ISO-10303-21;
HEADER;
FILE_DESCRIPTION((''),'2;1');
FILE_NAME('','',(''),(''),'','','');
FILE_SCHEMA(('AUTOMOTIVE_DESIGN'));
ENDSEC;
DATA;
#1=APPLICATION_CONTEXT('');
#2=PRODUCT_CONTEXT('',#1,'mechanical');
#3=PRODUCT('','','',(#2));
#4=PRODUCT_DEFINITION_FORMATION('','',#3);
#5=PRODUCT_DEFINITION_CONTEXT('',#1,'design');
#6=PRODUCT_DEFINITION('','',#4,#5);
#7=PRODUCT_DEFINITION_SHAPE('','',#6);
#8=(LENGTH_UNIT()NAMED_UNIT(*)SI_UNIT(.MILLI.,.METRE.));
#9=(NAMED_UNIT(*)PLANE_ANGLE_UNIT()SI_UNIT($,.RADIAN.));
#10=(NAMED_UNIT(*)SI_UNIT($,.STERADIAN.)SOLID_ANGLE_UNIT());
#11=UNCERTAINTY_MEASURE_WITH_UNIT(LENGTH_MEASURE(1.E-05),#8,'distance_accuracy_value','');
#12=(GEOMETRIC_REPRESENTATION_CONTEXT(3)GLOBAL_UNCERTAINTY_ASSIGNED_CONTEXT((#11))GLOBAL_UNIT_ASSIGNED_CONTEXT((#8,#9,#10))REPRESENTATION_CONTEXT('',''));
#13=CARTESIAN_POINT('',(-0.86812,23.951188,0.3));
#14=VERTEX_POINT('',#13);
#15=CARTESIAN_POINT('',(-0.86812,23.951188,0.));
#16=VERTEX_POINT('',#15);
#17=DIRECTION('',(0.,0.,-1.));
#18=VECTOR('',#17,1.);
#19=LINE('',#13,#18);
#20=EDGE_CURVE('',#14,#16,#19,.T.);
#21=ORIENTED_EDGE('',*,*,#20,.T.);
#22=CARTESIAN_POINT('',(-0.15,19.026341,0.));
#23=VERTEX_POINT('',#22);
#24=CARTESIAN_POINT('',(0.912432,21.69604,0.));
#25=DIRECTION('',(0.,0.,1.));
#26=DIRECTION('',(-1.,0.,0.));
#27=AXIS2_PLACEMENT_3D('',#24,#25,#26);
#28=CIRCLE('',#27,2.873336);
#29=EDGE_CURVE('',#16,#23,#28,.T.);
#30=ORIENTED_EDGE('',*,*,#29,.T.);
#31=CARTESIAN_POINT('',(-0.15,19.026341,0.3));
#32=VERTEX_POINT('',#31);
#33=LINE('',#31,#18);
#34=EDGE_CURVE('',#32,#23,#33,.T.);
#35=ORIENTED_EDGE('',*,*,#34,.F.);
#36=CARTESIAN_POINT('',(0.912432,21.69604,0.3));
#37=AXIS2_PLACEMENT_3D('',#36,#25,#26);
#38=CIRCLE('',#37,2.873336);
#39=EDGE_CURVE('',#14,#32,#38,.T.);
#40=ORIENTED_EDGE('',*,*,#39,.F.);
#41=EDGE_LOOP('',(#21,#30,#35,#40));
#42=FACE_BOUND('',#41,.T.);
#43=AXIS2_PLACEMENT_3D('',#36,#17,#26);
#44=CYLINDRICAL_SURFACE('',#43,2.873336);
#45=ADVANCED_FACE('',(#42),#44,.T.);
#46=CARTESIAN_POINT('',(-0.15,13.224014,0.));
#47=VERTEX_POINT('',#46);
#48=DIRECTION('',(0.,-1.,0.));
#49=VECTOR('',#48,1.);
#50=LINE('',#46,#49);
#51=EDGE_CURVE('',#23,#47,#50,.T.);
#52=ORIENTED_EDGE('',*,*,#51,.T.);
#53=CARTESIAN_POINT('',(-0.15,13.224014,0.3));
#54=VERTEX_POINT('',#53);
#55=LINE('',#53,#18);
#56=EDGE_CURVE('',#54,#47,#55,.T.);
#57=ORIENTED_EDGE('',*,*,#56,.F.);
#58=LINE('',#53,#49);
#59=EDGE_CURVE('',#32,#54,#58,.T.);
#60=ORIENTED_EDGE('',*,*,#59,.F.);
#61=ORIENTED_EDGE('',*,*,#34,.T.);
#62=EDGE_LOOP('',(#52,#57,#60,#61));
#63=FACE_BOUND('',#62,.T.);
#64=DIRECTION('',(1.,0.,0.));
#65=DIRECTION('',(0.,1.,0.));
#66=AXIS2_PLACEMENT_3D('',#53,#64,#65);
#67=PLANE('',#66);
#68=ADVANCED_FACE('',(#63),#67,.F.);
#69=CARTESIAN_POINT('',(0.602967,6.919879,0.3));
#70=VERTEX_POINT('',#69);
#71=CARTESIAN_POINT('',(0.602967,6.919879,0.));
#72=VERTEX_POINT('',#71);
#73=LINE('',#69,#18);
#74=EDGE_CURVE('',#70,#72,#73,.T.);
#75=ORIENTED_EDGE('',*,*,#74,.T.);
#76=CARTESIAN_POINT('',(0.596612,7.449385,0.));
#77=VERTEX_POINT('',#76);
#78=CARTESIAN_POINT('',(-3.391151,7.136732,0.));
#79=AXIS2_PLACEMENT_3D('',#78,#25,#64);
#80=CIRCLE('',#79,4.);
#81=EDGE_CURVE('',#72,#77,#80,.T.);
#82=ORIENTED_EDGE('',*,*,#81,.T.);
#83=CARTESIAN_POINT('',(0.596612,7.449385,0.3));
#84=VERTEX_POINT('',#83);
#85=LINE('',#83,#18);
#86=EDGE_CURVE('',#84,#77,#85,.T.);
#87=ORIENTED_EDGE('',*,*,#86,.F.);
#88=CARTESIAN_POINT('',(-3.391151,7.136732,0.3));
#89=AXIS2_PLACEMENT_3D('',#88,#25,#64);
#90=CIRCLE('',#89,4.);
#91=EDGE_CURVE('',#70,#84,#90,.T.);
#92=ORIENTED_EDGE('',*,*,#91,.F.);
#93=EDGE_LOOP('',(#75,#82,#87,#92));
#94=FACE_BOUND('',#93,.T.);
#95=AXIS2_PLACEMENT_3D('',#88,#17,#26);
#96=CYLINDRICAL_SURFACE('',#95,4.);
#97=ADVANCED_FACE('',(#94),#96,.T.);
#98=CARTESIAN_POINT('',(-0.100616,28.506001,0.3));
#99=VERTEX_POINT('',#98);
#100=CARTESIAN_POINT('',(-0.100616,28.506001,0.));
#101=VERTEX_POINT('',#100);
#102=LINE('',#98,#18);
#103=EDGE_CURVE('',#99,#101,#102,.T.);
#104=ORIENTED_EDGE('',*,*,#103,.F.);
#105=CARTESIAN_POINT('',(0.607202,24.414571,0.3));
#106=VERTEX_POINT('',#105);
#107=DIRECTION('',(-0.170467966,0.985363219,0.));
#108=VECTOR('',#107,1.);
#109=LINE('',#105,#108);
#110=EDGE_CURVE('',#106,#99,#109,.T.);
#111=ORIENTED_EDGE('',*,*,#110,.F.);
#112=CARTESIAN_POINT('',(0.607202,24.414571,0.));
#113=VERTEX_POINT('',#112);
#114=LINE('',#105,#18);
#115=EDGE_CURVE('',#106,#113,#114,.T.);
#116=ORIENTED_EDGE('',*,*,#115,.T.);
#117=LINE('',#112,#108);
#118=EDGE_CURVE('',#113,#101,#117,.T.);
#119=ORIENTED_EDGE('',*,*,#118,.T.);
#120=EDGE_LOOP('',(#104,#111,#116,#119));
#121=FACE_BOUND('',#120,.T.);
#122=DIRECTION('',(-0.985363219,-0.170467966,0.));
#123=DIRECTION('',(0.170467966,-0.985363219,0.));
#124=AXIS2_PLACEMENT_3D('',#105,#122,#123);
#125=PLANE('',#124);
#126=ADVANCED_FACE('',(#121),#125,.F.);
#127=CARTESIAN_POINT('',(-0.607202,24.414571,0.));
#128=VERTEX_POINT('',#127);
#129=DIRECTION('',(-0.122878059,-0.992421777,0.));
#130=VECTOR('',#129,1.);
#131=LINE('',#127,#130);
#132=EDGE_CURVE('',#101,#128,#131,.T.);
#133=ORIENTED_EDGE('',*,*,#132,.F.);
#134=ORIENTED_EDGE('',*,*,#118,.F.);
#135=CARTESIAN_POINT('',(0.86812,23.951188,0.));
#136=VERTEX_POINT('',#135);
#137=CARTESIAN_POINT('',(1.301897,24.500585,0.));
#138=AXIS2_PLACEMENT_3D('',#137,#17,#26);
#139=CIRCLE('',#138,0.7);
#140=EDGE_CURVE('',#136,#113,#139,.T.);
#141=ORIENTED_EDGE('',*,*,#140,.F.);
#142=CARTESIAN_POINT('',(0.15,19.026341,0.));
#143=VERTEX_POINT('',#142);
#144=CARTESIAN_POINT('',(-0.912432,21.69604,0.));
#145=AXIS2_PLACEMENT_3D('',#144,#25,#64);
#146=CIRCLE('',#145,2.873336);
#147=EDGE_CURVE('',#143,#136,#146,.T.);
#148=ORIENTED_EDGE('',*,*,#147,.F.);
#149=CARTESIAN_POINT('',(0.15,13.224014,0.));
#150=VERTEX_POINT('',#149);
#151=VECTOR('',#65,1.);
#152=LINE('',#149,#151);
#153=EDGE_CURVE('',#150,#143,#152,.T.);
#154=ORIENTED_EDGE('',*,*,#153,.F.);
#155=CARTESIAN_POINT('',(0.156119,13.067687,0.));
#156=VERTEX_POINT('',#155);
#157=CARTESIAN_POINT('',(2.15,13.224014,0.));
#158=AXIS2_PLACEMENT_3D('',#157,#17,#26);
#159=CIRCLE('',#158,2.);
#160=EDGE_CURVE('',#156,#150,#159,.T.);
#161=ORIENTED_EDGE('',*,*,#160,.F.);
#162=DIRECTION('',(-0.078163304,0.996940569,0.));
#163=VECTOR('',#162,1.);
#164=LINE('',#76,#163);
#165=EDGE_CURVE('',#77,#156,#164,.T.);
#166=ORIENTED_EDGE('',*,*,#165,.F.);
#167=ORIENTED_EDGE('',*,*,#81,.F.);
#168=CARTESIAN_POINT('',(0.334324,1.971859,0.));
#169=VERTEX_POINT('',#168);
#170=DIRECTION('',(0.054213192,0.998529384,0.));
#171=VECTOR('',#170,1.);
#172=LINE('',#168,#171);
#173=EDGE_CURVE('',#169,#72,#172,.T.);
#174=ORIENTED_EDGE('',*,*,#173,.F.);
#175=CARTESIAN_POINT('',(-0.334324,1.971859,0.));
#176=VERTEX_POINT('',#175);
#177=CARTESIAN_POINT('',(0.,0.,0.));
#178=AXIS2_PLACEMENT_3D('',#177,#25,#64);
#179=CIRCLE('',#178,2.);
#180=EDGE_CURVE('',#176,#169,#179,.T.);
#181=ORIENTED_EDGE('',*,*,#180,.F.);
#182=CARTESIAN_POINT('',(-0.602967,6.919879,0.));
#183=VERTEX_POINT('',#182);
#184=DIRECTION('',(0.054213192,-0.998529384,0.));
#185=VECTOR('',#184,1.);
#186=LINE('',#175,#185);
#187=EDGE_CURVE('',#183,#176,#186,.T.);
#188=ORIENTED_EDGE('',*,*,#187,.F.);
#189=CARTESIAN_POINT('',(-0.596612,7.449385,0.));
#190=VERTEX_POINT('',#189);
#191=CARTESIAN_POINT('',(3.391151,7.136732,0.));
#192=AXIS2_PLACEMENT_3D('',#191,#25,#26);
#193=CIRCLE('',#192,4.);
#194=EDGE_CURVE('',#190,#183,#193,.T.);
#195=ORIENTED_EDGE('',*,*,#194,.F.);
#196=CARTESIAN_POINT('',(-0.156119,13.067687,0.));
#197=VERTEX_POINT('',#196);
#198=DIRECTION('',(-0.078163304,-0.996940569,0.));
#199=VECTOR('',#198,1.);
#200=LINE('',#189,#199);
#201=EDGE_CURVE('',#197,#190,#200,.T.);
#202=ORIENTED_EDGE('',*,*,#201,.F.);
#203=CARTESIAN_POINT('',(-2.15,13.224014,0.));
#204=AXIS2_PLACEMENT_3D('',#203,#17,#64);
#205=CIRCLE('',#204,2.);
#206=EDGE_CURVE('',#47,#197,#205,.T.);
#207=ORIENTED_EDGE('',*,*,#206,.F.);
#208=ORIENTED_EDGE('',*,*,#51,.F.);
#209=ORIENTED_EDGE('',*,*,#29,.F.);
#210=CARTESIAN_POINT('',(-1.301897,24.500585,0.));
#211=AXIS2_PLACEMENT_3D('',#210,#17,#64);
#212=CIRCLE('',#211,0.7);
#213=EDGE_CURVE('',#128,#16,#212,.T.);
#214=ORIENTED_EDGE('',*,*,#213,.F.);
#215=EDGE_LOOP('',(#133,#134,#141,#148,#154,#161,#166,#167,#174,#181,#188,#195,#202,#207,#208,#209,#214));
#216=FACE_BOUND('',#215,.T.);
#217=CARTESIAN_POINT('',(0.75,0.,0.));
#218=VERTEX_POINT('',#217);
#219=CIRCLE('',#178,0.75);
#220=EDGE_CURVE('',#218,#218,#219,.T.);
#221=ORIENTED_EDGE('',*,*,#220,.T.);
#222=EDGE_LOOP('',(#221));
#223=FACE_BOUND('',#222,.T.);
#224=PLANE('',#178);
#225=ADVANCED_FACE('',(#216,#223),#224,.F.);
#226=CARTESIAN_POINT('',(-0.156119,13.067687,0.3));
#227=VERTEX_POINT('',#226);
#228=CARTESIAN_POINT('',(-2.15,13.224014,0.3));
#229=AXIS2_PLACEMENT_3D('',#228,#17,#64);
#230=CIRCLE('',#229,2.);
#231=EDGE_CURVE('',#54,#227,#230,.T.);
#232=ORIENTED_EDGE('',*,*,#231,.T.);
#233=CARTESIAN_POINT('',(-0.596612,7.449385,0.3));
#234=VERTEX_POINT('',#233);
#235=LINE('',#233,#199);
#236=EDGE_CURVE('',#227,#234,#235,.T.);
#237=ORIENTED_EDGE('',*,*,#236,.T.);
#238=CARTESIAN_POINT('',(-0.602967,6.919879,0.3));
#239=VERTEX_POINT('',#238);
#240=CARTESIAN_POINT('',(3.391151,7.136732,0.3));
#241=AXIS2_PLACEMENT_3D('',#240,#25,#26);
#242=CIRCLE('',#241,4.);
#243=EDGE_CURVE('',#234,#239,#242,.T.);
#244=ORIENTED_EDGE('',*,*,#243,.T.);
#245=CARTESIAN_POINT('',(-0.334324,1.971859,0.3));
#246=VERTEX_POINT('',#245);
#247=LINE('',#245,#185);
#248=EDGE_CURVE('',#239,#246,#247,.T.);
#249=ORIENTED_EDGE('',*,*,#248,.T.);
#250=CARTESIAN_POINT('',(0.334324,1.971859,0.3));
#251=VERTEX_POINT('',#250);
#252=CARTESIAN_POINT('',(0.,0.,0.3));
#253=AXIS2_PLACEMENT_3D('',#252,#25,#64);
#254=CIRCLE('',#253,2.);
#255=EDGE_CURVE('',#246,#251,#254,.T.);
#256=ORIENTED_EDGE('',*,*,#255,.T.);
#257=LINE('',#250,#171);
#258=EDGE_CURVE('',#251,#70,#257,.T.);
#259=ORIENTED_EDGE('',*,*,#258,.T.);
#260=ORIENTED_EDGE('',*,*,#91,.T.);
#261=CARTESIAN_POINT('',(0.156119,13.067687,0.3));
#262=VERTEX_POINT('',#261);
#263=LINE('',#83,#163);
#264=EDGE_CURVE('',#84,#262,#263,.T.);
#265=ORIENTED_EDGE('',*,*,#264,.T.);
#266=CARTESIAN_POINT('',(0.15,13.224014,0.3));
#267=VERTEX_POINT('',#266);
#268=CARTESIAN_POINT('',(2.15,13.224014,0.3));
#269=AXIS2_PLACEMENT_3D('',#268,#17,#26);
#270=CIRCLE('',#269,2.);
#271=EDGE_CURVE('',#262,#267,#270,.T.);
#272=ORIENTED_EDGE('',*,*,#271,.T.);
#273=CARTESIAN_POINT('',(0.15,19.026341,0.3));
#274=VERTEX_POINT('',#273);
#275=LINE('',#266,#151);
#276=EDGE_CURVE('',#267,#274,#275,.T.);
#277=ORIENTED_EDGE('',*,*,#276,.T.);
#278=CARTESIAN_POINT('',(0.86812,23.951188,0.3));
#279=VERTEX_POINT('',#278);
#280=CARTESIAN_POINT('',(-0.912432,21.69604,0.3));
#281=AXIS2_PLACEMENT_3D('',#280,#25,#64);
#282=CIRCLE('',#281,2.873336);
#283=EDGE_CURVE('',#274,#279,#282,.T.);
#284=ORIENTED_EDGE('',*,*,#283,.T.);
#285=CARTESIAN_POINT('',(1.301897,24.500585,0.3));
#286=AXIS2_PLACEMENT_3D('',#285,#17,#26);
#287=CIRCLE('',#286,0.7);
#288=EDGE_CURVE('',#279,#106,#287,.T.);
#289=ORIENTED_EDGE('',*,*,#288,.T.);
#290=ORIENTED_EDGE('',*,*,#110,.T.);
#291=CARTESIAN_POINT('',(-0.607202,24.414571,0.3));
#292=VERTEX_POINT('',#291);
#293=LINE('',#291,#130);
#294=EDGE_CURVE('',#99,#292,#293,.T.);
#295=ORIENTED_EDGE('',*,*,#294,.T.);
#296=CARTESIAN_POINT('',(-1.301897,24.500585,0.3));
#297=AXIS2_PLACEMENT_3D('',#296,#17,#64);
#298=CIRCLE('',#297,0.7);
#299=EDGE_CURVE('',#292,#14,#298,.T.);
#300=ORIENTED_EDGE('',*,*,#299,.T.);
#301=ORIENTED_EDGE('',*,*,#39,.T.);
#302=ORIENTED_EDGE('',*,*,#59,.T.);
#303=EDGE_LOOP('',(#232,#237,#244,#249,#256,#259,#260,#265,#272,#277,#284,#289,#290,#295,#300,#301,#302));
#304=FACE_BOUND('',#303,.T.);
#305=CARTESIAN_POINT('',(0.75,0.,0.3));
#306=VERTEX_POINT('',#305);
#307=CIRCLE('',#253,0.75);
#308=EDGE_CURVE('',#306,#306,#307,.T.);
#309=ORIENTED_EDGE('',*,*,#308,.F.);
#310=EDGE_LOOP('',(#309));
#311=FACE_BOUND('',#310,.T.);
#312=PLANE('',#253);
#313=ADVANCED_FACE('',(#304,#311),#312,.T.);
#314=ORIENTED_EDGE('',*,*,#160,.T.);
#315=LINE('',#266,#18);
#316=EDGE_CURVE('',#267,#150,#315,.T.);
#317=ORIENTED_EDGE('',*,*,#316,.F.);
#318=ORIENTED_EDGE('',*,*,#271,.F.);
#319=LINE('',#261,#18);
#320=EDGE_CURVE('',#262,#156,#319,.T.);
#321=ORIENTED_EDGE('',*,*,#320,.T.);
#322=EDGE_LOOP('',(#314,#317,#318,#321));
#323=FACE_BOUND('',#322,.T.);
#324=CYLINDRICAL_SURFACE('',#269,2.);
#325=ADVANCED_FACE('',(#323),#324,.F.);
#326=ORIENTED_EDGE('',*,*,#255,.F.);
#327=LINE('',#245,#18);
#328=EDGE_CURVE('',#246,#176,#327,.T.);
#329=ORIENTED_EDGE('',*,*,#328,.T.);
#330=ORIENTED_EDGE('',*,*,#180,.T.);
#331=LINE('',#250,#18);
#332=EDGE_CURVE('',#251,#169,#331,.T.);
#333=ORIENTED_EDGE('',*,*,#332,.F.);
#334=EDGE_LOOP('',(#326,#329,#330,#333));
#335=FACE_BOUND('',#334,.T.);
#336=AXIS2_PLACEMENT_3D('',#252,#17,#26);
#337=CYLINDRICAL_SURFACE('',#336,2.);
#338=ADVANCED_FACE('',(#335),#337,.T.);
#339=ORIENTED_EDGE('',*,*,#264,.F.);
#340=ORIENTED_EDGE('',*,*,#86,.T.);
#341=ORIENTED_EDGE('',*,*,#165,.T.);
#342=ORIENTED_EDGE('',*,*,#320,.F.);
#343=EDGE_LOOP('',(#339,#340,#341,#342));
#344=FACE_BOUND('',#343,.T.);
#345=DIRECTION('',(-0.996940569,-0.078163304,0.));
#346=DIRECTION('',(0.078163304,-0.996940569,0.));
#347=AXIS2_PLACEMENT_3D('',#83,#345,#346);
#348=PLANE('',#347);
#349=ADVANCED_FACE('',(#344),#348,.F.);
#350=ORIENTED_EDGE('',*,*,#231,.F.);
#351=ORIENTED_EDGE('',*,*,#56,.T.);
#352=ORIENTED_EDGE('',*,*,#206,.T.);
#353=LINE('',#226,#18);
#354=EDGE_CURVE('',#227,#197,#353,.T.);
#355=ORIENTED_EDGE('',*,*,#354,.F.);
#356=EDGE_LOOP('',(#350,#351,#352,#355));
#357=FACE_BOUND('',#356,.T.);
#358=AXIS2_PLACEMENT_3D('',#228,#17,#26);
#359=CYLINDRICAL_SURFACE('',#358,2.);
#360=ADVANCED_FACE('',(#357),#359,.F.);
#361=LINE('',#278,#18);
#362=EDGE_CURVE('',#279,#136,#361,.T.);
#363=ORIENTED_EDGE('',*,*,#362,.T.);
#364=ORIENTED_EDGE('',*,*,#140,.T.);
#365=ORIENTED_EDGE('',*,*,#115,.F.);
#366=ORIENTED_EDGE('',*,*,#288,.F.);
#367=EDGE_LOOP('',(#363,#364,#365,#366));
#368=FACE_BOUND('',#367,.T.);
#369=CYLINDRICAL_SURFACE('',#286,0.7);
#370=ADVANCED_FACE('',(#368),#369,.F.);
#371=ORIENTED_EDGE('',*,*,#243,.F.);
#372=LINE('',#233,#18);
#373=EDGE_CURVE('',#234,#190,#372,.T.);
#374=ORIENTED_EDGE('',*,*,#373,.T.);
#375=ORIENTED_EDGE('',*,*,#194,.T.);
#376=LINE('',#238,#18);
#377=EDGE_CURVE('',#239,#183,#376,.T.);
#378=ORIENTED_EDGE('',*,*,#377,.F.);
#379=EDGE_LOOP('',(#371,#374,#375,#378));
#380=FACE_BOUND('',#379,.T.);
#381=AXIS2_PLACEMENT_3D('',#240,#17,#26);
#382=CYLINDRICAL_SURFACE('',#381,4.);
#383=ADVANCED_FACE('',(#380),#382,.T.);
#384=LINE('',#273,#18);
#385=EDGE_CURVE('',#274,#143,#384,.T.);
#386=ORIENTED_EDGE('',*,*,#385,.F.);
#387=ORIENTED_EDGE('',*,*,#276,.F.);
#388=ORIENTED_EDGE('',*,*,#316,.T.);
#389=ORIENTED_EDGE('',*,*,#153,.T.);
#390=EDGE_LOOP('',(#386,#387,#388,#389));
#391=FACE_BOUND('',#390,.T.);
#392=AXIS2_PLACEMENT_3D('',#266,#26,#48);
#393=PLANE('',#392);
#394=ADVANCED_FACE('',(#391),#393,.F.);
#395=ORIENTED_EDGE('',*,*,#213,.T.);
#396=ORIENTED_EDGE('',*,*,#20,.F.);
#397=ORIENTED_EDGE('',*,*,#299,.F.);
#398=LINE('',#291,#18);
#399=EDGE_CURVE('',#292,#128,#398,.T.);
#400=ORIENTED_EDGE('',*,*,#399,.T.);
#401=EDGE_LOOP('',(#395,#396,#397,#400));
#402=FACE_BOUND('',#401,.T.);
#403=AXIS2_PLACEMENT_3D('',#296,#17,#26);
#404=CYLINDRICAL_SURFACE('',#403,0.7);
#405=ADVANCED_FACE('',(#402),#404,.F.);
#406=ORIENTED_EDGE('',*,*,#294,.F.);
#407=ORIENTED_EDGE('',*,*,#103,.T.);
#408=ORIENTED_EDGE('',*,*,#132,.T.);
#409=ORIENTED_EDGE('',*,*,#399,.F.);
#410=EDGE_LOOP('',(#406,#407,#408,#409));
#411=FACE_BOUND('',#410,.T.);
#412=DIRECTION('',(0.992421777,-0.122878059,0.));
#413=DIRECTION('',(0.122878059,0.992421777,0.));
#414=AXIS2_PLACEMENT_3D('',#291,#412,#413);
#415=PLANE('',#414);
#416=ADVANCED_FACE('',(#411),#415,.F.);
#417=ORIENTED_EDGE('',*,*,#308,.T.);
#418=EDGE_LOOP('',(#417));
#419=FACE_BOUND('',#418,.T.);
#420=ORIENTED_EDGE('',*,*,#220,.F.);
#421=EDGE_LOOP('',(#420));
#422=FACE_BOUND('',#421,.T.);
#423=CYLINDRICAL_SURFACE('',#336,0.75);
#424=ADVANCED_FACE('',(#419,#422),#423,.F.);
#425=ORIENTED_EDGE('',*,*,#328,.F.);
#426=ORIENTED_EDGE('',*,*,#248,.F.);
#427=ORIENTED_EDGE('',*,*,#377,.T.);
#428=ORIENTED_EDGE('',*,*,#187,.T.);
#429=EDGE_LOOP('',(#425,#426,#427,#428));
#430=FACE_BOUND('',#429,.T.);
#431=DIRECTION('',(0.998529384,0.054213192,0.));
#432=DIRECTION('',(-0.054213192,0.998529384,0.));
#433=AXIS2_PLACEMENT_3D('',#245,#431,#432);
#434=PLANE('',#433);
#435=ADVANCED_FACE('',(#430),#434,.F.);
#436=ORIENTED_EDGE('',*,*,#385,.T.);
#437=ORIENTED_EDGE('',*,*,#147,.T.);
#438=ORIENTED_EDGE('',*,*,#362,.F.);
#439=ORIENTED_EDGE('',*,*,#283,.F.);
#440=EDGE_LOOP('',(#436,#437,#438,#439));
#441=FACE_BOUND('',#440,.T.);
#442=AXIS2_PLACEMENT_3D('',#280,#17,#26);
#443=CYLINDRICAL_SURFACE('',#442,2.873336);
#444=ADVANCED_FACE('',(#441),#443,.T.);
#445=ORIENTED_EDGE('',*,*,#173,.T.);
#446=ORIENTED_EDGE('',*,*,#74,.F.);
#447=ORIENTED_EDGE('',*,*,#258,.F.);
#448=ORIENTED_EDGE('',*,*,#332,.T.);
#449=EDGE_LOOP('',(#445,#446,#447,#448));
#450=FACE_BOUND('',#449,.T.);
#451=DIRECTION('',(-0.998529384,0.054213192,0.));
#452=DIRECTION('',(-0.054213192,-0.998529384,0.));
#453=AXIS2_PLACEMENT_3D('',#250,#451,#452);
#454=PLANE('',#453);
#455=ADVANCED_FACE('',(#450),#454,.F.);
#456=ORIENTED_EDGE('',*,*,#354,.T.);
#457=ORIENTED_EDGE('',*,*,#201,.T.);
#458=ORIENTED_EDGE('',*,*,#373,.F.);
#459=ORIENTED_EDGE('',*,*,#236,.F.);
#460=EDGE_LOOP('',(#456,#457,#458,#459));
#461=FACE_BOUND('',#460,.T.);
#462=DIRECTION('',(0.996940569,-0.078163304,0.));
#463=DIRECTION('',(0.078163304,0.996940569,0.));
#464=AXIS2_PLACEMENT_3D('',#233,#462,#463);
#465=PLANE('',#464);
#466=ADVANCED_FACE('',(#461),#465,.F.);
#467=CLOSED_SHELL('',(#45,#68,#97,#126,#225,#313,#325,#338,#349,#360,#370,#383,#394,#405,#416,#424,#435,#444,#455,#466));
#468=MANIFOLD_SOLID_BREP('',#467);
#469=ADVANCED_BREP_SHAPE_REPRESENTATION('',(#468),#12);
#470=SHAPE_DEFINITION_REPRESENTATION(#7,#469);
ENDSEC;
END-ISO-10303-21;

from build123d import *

# Parameters (mm, degrees)
SKETCH1_R           = 0.75
BOSS_EXTRUDE2_DEPTH = 0.3


with BuildPart() as part:
    # Sketch1 → Boss-Extrude2 (new body)
    with BuildSketch(Plane.XY):
        with BuildLine():
            Line((-0.334323817, 1.971858916), (-0.602966855, 6.919879094))
            ThreePointArc((-0.602966855, 6.919879094), (-0.608561245, 7.18473737), (-0.596611597, 7.449385078))
            Line((-0.596611597, 7.449385078), (-0.156118862, 13.067687454))
            ThreePointArc((-0.156118862, 13.067687454), (-0.151530301, 13.145790905), (-0.15, 13.224014062))
            Line((-0.15, 13.224014062), (-0.15, 19.026340954))
            ThreePointArc((-0.15, 19.026340954), (-1.930835311, 21.281447203), (-0.868120306, 23.951187906))
            ThreePointArc((-0.868120306, 23.951187906), (-0.691943741, 24.15713708), (-0.607202, 24.414570725))
            Line((-0.607202, 24.414570725), (-0.100615971, 28.506000973))
            Line((-0.100615971, 28.506000973), (0.607202, 24.414570725))
            ThreePointArc((0.607202, 24.414570725), (0.691943741, 24.15713708), (0.868120306, 23.951187906))
            ThreePointArc((0.868120306, 23.951187906), (1.930835311, 21.281447203), (0.15, 19.026340954))
            Line((0.15, 19.026340954), (0.15, 13.224014062))
            ThreePointArc((0.15, 13.224014062), (0.151530301, 13.145790905), (0.156118862, 13.067687454))
            Line((0.156118862, 13.067687454), (0.596611597, 7.449385078))
            ThreePointArc((0.596611597, 7.449385078), (0.608561245, 7.18473737), (0.602966855, 6.919879094))
            Line((0.602966855, 6.919879094), (0.334323817, 1.971858916))
            ThreePointArc((0.334323817, 1.971858916), (0, -2), (-0.334323817, 1.971858916))
        make_face()
        Circle(SKETCH1_R, mode=Mode.SUBTRACT)
    extrude(amount=BOSS_EXTRUDE2_DEPTH)


solid = part.part
